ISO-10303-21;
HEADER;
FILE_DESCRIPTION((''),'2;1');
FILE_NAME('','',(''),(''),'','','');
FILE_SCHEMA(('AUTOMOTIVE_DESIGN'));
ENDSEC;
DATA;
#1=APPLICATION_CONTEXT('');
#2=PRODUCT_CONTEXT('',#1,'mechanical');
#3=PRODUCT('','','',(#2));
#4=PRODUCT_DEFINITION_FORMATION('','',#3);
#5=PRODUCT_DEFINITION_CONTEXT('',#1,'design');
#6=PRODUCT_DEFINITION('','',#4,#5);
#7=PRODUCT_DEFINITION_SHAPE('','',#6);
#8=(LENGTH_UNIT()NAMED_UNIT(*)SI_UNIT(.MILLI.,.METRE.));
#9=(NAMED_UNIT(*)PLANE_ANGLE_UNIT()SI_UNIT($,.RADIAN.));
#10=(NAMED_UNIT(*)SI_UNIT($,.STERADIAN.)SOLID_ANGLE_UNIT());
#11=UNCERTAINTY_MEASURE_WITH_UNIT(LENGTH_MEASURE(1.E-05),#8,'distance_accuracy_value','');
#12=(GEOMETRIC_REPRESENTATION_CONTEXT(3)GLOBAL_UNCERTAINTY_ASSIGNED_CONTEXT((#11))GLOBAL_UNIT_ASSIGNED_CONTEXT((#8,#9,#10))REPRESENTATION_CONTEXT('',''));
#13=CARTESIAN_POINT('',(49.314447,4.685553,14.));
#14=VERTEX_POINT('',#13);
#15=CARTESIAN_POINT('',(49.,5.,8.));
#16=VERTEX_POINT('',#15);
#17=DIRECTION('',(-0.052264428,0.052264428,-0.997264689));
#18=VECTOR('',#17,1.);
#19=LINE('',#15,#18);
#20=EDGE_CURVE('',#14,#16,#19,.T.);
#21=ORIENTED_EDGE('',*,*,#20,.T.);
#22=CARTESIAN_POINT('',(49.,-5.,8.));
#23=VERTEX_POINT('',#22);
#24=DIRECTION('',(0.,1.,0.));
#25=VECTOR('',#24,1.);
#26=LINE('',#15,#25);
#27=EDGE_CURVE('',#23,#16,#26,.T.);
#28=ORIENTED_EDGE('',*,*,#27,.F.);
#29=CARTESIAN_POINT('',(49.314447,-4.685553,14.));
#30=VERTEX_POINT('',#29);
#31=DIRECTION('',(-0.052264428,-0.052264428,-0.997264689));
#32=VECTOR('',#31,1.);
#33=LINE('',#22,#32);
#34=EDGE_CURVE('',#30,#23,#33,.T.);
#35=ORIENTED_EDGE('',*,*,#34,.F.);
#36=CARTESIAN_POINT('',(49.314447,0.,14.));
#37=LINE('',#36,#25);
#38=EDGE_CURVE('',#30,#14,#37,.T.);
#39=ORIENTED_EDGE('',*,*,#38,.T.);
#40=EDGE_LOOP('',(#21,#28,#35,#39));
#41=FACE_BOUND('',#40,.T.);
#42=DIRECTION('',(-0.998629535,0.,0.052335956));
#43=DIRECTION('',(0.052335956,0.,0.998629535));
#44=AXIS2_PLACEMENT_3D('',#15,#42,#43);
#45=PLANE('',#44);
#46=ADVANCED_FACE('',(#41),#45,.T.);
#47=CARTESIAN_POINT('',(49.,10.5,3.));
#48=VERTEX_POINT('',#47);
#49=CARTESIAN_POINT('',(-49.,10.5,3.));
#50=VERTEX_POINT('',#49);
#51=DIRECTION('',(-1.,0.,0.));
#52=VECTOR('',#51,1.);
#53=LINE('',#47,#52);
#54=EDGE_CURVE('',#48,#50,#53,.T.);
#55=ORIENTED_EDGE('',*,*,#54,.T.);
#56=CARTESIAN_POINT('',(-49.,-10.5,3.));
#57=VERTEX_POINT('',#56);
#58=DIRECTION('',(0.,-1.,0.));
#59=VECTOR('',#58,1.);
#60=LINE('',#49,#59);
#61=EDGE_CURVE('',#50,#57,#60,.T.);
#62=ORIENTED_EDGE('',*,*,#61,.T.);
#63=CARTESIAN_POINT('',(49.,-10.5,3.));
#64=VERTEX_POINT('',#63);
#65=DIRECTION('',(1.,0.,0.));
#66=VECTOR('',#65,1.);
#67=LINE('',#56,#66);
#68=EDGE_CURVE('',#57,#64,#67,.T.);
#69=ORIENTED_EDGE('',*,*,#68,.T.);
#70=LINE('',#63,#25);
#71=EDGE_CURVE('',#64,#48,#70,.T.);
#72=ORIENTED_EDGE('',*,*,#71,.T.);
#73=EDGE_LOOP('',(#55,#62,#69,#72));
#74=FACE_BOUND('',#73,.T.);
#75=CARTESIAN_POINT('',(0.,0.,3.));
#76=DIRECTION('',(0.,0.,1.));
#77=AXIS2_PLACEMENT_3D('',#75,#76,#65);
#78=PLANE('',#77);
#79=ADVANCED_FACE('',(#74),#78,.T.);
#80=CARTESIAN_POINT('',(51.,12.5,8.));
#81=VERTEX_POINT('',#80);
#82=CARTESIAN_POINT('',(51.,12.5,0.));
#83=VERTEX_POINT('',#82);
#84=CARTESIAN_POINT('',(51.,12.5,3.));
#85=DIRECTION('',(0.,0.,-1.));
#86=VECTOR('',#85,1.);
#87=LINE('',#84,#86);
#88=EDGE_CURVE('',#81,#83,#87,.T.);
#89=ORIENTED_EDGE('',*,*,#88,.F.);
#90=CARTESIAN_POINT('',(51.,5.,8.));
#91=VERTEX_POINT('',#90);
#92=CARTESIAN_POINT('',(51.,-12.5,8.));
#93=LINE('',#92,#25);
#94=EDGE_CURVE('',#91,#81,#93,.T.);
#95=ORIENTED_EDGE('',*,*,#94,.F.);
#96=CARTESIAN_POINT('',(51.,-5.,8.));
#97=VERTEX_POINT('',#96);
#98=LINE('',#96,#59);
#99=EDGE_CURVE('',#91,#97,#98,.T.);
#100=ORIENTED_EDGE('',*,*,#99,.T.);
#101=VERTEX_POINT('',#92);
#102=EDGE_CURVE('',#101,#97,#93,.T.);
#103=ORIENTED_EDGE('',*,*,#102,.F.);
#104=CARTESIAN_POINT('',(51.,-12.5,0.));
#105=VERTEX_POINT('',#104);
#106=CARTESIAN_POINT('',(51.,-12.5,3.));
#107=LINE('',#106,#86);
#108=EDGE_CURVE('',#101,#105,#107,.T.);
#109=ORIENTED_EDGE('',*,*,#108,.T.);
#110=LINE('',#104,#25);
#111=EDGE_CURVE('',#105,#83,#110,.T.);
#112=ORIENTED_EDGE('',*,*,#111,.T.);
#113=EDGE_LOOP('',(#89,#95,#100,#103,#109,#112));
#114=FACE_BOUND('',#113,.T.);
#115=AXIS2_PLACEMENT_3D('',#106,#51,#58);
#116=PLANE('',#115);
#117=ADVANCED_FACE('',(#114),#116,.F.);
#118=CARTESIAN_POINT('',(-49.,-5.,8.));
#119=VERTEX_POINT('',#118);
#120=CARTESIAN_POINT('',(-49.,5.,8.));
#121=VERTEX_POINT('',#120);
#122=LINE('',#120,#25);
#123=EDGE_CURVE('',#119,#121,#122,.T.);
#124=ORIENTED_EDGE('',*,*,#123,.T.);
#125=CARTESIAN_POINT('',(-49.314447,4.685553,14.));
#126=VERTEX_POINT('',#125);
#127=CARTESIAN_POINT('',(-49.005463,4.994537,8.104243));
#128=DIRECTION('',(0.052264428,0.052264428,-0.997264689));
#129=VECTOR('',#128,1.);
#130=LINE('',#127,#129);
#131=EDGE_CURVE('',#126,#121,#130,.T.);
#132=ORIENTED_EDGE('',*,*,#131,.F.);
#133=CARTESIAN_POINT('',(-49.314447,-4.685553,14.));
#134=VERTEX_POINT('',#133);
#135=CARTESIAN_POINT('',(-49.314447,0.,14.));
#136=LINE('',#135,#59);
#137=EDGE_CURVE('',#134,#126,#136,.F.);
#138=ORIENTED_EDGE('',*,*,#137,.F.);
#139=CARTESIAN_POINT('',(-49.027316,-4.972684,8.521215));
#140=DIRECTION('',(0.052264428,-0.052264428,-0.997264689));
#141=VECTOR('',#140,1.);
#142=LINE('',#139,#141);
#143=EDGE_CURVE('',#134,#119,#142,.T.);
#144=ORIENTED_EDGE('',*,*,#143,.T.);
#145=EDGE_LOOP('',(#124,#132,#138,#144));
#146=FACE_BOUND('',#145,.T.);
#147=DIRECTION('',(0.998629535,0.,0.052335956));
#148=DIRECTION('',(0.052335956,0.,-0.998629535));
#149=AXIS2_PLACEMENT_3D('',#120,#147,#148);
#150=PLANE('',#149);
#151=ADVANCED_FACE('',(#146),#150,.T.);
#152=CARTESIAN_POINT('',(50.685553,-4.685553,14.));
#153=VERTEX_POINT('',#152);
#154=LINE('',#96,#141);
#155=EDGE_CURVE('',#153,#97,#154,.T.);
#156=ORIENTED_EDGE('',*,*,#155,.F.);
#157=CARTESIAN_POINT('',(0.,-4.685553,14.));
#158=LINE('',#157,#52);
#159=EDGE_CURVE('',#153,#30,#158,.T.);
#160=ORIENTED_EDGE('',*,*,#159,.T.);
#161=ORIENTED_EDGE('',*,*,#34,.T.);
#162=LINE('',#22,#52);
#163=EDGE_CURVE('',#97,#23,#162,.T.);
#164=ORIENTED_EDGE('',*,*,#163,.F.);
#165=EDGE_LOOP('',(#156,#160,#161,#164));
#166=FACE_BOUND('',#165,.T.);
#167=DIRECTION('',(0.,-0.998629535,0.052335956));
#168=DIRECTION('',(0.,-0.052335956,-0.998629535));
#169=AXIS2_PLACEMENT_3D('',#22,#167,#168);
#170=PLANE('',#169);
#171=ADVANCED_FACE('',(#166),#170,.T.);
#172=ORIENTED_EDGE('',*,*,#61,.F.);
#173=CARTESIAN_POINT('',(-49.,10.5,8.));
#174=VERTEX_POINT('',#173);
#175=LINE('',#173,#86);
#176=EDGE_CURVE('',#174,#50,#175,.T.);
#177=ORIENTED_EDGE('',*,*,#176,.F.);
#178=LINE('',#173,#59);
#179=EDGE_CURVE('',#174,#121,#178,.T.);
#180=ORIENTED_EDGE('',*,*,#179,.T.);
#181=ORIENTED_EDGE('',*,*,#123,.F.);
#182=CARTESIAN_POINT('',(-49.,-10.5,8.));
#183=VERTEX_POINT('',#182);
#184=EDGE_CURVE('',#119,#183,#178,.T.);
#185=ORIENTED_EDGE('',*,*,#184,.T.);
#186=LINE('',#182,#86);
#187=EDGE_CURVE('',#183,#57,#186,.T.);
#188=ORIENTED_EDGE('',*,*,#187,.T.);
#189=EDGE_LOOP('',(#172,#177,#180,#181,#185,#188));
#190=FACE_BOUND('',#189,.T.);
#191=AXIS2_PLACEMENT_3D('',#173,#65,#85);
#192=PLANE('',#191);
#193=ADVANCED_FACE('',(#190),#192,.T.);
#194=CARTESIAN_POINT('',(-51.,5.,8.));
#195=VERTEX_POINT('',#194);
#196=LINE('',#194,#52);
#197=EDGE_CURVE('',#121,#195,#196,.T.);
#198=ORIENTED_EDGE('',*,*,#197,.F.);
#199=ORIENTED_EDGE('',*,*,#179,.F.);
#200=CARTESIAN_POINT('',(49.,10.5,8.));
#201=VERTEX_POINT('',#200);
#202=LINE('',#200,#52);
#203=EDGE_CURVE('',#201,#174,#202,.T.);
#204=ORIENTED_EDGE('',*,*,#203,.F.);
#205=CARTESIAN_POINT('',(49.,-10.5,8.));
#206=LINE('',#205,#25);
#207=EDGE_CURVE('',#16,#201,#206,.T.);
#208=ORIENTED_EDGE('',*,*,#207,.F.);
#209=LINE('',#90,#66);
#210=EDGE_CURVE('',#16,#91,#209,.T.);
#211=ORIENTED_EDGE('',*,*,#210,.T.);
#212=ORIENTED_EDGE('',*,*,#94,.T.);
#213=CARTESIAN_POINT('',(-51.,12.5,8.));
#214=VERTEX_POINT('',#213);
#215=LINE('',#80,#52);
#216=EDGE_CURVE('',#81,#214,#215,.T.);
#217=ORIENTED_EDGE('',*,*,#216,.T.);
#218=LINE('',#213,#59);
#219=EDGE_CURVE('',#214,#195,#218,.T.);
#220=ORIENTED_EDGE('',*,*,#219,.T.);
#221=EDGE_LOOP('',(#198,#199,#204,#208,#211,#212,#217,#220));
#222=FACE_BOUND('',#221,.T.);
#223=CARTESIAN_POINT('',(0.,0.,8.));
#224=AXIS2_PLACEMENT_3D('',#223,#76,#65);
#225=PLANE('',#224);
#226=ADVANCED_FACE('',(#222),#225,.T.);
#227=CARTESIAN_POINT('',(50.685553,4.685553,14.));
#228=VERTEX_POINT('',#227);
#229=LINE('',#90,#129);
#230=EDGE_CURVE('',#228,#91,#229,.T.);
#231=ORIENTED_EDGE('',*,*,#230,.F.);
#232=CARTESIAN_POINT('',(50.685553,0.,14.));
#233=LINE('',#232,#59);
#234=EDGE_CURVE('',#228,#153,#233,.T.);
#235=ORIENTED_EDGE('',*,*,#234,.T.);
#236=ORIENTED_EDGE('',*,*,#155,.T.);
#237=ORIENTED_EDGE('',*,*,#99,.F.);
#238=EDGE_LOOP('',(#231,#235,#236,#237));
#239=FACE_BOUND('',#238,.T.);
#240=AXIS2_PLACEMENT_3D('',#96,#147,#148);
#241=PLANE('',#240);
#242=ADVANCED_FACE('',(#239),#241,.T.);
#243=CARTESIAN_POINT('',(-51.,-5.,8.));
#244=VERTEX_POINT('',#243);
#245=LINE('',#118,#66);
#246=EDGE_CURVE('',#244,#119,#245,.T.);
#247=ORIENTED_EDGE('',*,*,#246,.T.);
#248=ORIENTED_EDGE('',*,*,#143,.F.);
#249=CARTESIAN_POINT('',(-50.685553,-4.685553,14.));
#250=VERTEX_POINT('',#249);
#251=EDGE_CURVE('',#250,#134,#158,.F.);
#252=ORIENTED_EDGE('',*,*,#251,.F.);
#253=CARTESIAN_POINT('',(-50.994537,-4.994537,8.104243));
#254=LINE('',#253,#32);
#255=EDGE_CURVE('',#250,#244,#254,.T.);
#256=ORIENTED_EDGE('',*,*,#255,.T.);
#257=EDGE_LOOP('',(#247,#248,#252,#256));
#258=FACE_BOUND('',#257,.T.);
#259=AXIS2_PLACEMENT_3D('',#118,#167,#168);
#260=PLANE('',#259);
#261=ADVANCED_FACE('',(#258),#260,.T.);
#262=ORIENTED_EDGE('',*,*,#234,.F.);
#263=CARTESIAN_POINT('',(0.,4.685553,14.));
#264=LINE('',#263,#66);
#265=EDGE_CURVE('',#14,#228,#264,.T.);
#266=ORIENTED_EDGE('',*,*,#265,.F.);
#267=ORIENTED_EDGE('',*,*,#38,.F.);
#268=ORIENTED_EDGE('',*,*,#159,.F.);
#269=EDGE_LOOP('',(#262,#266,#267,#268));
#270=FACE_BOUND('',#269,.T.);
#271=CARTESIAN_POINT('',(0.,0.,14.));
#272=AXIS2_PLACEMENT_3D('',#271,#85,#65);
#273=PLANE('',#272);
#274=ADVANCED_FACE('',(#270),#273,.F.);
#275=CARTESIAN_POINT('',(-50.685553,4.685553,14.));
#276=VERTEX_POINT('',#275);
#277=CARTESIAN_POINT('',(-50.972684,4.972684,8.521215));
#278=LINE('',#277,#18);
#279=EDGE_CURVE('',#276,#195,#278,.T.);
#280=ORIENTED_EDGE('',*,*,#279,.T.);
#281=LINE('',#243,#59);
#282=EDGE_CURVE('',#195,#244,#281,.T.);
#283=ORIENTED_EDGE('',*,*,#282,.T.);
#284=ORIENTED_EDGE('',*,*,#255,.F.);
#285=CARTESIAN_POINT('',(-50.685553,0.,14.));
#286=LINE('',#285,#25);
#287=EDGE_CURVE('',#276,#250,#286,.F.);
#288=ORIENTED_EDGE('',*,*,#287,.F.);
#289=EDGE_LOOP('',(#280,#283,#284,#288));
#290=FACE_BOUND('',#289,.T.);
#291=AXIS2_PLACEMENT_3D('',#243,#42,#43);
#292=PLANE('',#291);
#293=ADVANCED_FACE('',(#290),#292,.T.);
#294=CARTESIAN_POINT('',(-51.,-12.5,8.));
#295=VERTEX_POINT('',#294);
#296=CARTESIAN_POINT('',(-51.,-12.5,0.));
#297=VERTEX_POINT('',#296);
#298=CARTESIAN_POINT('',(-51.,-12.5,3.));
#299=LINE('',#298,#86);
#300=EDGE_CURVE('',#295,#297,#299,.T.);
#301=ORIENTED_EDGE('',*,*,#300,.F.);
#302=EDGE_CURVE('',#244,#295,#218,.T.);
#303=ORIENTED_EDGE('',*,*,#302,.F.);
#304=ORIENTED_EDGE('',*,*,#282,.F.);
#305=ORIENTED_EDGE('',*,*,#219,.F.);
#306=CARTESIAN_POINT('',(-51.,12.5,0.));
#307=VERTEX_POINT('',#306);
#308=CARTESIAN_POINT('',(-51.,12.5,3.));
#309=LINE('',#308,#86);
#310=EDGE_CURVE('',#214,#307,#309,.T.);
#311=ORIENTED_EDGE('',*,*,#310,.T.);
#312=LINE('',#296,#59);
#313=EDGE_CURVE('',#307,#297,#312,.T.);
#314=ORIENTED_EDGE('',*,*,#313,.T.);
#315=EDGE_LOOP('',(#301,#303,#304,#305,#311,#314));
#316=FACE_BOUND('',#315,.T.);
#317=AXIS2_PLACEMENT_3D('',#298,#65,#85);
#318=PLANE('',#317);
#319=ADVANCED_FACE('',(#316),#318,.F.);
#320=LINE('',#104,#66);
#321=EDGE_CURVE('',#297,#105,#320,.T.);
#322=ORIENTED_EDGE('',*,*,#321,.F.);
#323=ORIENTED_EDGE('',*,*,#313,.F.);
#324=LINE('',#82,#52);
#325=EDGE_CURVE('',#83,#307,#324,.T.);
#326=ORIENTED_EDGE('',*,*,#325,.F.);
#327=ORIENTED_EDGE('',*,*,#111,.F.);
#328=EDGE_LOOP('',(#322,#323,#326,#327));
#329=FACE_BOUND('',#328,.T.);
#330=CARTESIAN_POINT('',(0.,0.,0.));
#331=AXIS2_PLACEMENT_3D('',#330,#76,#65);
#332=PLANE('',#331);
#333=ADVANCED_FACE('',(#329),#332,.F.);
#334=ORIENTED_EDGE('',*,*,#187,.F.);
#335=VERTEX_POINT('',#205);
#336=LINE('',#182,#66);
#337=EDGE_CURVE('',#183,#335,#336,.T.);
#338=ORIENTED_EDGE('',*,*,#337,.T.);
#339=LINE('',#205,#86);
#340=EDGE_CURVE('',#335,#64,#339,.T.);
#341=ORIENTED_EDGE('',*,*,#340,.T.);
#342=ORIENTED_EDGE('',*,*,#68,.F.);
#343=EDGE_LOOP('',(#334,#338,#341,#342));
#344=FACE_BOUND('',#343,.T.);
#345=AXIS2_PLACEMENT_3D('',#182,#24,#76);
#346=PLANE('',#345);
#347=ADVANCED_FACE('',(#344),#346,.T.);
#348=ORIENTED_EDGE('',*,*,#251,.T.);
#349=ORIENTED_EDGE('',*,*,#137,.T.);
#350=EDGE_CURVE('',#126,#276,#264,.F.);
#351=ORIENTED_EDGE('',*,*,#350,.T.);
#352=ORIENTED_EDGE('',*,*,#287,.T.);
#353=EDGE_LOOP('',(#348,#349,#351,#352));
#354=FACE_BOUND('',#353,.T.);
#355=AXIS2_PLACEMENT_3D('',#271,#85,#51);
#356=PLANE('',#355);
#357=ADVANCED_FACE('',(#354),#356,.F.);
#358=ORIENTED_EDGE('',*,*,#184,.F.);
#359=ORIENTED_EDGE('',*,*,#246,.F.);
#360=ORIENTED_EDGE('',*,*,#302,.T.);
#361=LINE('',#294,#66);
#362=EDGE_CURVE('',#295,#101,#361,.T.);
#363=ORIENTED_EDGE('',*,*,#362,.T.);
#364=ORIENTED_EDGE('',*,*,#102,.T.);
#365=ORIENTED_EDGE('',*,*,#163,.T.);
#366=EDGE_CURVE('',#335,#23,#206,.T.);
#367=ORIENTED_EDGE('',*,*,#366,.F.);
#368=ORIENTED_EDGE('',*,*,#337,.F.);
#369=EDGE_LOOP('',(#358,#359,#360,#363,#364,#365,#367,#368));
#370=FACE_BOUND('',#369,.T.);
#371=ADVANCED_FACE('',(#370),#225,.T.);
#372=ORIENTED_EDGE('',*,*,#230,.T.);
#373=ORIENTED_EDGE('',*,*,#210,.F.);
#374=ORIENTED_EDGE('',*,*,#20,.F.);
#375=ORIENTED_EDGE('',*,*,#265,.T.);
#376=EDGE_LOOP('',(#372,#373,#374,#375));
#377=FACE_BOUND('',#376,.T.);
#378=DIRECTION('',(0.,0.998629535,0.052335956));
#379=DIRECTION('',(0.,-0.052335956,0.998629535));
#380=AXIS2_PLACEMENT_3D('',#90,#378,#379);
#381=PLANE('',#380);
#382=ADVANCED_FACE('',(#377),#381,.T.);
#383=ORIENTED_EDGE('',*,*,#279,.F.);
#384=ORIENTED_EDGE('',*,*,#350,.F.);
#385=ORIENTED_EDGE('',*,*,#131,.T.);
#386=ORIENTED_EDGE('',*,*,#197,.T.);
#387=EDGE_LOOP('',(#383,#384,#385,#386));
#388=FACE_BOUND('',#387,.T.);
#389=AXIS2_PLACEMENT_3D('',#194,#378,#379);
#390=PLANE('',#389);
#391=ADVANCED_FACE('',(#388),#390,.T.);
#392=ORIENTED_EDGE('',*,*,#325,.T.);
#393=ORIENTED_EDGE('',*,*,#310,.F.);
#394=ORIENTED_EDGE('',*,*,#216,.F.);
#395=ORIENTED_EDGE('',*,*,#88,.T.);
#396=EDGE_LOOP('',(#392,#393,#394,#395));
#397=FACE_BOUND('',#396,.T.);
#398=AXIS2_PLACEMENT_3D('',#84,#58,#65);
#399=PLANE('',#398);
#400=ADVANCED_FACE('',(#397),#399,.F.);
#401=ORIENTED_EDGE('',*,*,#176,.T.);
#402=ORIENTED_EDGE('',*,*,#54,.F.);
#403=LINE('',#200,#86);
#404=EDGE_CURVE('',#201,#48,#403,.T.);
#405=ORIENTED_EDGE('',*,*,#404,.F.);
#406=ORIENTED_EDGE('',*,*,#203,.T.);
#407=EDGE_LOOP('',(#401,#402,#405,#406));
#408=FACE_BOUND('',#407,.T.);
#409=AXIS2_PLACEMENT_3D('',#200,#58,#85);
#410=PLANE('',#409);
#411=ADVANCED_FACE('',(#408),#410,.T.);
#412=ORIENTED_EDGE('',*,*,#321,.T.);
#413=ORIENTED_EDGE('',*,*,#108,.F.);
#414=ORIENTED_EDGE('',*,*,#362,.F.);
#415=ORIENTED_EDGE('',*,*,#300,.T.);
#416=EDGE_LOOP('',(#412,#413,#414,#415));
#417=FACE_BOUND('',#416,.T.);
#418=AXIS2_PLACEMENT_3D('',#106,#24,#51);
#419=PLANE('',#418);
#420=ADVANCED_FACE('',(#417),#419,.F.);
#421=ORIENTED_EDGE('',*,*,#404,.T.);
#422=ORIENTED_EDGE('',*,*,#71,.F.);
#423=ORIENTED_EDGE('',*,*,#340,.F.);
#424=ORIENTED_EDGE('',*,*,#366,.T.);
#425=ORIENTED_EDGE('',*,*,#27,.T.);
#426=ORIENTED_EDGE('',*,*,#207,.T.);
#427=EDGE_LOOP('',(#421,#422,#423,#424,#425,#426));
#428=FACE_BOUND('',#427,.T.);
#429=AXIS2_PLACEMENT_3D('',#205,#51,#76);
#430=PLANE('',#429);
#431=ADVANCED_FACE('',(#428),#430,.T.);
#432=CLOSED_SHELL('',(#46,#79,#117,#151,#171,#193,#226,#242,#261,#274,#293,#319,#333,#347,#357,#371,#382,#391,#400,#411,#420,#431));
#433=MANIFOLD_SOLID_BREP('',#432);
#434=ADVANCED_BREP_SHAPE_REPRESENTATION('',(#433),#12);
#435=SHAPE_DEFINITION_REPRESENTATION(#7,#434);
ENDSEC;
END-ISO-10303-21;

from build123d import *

# Parameters (mm, degrees)
SCHIZZO1_W                   = 102
SCHIZZO1_H                   = 25
ESTRUSIONE_ESTRUSIONE1_DEPTH = 3
SCHIZZO2_W                   = 102
SCHIZZO2_H                   = 25
SCHIZZO2_W_2                 = 98
SCHIZZO2_H_2                 = 21
ESTRUSIONE_ESTRUSIONE2_DEPTH = 5
SCHIZZO3_W                   = 2
SCHIZZO3_H                   = 10
ESTRUSIONE_ESTRUSIONE3_DEPTH = 6
ESTRUSIONE_ESTRUSIONE3_TAPER = 3


with BuildPart() as part:
    # Schizzo1 → Estrusione-Estrusione1 (new body)
    with BuildSketch(Plane.XY):
        Rectangle(SCHIZZO1_W, SCHIZZO1_H)
    extrude(amount=ESTRUSIONE_ESTRUSIONE1_DEPTH)

    # Schizzo2 → Estrusione-Estrusione2 (add)
    with BuildSketch(Plane.XY.offset(3)):
        Rectangle(SCHIZZO2_W, SCHIZZO2_H)
        Rectangle(SCHIZZO2_W_2, SCHIZZO2_H_2, mode=Mode.SUBTRACT)
    extrude(amount=ESTRUSIONE_ESTRUSIONE2_DEPTH)

    # Schizzo3 → Estrusione-Estrusione3 (add)
    with BuildSketch(Plane.XY.offset(8)):
        with Locations((-50, 0)):
            Rectangle(SCHIZZO3_W, SCHIZZO3_H)
    estrusione_estrusione3 = extrude(amount=ESTRUSIONE_ESTRUSIONE3_DEPTH, taper=ESTRUSIONE_ESTRUSIONE3_TAPER)

    # Specchia1: Estrusione-Estrusione3 across plane
    add(estrusione_estrusione3.mirror(Plane(origin=(0, 0, 0), x_dir=(0, 0, 1), z_dir=(1, 0, 0))))


solid = part.part
